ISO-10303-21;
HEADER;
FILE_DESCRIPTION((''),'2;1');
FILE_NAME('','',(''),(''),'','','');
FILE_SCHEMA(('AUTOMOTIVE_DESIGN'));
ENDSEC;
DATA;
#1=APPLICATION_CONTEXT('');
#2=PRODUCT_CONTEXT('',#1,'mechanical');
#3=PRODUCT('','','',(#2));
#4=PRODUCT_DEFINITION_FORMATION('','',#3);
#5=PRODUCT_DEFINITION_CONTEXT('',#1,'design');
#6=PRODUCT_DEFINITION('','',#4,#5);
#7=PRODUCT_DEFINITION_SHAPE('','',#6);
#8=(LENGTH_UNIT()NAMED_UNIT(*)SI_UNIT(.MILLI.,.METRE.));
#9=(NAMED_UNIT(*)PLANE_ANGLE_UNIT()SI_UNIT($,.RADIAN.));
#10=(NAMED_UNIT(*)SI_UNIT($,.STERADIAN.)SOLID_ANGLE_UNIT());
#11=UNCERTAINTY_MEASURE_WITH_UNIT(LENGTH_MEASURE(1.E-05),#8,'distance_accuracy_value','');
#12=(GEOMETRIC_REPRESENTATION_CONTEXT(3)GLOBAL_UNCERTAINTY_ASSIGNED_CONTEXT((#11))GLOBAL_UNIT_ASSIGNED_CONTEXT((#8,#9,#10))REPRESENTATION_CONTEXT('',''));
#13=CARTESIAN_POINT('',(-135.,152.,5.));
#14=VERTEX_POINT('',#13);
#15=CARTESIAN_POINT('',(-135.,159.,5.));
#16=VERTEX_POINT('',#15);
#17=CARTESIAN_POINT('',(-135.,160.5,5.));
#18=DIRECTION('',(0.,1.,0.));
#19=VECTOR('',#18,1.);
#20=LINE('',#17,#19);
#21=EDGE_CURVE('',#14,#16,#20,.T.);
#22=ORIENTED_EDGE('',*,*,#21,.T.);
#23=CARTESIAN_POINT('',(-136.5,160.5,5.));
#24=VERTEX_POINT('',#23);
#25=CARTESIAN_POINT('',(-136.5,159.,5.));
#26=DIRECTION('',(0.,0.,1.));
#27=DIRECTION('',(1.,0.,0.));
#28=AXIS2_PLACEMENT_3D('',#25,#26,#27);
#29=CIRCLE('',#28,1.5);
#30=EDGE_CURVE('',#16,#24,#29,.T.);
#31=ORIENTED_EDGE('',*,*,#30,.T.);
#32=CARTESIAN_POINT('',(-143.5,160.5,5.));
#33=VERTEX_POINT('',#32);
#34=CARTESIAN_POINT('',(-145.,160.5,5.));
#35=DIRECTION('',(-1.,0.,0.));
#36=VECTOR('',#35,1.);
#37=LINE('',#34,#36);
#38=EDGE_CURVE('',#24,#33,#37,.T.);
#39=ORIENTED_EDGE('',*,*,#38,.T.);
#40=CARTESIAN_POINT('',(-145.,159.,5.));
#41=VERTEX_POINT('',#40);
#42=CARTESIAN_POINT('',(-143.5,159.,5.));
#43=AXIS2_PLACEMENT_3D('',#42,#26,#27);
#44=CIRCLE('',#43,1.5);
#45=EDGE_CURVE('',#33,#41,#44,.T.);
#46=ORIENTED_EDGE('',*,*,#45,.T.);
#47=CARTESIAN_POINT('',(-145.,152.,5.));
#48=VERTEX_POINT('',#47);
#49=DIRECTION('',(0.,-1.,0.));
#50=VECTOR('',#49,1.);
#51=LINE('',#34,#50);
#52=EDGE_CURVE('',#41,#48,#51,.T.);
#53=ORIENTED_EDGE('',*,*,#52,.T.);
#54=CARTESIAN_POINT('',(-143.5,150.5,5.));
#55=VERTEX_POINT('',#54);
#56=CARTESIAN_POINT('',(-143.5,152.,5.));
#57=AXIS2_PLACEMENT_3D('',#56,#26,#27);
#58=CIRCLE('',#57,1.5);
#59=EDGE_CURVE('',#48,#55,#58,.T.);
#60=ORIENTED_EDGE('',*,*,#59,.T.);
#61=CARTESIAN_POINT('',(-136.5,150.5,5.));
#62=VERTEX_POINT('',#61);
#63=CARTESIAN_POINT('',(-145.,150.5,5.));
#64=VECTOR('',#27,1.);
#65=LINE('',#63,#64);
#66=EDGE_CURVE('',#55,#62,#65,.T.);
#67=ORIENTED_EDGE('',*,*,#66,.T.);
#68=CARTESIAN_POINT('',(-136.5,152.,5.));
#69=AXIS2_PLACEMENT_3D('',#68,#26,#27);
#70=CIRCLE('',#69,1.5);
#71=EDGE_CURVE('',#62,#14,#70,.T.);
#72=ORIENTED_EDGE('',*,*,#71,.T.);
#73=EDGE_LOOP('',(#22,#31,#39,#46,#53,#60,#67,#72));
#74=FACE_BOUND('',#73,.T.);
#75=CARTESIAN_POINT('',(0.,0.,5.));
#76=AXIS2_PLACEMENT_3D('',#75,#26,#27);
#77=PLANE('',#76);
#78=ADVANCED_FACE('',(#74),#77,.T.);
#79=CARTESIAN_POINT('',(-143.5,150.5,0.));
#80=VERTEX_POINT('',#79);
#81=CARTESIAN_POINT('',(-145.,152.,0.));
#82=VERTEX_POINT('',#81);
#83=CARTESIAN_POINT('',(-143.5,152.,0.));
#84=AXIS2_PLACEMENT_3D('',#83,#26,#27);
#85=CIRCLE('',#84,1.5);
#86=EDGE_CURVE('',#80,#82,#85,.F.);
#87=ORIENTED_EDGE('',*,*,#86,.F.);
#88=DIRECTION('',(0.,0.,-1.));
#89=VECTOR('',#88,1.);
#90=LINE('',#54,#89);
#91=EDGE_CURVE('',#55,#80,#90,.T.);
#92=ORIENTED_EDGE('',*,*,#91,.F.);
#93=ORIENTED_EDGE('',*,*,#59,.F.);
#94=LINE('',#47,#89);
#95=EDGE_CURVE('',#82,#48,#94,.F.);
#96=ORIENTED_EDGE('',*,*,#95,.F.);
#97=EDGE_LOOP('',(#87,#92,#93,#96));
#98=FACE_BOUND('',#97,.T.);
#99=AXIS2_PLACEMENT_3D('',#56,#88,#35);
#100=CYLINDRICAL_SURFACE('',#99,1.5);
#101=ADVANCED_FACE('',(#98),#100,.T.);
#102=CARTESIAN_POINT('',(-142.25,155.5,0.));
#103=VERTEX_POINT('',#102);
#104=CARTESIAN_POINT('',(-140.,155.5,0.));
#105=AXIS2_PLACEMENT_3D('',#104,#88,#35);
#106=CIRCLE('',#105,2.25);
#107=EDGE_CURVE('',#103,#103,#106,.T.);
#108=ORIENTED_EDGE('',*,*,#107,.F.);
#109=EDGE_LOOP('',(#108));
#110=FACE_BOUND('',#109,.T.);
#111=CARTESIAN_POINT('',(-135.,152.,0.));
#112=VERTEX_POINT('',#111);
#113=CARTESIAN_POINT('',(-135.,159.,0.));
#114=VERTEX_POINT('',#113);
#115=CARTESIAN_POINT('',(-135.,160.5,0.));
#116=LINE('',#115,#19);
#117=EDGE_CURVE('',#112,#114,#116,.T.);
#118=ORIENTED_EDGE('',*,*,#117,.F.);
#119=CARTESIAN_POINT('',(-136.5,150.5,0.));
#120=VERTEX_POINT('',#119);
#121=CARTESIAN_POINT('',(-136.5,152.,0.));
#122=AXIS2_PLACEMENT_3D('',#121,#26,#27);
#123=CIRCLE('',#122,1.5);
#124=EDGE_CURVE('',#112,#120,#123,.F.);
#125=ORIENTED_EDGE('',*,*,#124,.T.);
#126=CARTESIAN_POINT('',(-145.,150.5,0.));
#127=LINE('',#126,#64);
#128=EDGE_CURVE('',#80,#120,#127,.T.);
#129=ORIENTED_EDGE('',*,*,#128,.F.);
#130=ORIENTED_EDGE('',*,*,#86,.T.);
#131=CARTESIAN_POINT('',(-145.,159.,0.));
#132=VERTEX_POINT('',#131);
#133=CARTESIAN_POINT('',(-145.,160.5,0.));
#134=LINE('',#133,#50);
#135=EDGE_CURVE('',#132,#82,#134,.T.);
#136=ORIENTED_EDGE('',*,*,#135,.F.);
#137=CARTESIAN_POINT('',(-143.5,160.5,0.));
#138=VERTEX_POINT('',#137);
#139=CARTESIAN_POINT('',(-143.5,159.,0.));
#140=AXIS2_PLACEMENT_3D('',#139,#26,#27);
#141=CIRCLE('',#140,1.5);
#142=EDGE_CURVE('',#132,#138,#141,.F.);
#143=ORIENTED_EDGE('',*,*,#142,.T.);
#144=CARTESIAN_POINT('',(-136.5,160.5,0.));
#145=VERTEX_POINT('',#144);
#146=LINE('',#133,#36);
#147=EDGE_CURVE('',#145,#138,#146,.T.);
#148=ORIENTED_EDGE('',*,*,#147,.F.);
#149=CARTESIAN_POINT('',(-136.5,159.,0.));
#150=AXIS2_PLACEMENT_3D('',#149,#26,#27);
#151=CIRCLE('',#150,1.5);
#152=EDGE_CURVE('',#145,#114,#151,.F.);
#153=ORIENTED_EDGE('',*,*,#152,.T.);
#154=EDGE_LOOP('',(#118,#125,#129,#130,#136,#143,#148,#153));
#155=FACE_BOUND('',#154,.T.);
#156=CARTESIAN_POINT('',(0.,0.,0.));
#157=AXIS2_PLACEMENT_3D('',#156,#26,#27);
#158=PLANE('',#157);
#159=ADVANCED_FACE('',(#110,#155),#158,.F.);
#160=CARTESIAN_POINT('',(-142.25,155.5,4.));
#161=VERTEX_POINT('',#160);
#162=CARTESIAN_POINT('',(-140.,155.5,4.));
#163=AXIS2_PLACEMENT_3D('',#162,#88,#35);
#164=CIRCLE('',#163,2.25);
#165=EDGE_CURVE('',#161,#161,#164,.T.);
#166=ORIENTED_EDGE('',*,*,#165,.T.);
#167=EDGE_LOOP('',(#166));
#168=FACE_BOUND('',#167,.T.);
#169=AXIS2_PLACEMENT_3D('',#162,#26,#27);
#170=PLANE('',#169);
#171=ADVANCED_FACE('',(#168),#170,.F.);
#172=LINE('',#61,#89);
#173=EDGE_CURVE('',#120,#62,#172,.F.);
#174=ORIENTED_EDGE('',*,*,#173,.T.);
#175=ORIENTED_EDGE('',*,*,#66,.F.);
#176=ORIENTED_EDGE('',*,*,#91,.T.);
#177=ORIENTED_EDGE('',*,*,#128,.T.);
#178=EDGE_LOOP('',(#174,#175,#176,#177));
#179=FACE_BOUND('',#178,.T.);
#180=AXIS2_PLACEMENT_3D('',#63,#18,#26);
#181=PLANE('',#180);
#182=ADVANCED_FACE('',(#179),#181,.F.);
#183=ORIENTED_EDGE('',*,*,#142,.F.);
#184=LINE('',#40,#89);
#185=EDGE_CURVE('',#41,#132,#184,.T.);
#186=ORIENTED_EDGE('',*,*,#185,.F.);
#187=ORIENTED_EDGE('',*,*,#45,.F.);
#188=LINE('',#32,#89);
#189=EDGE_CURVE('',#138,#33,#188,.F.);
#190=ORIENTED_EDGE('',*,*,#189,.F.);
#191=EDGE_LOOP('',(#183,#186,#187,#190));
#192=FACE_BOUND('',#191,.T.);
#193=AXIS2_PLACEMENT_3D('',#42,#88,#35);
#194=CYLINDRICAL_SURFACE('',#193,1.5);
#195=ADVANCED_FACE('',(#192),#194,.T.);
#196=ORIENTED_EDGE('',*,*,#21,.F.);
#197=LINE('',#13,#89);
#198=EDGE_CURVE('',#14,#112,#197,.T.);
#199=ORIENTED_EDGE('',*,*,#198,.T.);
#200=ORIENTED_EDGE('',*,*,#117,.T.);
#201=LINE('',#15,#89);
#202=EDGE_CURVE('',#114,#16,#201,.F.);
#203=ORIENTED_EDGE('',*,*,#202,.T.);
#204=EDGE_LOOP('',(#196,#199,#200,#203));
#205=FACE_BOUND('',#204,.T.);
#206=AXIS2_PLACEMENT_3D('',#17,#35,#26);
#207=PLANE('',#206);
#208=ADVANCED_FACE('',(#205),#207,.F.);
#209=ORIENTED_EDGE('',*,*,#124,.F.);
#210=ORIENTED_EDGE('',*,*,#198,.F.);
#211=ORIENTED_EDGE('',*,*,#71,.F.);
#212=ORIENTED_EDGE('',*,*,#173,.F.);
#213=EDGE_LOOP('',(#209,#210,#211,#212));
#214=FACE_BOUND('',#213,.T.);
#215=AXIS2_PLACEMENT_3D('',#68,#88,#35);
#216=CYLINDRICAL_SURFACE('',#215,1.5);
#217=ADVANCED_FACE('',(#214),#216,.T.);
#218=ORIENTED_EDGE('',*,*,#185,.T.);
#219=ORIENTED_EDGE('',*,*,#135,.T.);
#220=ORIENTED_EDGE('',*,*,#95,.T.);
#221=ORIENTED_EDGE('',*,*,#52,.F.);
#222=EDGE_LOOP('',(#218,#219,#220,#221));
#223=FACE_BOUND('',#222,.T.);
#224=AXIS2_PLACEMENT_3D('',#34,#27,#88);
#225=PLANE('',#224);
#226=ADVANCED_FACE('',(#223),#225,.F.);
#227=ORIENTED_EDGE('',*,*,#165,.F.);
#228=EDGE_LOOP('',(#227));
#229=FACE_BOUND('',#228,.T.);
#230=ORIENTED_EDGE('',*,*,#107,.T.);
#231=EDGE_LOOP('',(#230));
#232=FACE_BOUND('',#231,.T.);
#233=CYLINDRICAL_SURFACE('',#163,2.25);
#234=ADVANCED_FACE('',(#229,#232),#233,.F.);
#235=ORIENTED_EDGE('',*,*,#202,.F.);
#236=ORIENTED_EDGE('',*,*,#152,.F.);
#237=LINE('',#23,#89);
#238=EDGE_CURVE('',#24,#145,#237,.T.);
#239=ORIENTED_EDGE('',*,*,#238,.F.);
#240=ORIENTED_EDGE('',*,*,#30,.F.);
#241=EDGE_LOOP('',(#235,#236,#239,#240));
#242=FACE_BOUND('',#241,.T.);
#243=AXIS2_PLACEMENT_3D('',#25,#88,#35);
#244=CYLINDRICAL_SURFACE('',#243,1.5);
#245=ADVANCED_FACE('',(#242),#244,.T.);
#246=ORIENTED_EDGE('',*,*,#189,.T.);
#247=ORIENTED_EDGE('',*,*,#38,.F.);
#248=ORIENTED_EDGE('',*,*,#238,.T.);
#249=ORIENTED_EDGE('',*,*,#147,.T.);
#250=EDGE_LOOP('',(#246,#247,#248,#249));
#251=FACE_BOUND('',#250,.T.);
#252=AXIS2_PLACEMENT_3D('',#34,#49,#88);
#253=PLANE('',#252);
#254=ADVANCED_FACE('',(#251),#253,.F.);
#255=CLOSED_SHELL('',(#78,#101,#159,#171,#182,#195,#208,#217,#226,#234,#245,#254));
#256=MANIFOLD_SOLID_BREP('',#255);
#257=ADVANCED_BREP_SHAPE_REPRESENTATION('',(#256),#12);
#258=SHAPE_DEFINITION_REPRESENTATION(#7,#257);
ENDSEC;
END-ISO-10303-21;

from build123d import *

# Parameters (mm, degrees)
SKETCH1_W           = 10
SKETCH1_H           = 10
SKETCH1_R           = 1.5
BOSS_EXTRUDE1_DEPTH = 5
FILLET1_R           = 1.5
SKETCH2_R           = 1.6
BOSS_EXTRUDE2_DEPTH = 1
SKETCH3_R           = 2.25
CUT_EXTRUDE1_DEPTH  = 4


with BuildPart() as part:
    # Sketch1 → Boss-Extrude1 (new body)
    with BuildSketch(Plane.XY):
        with Locations((-140, 155.5)):
            Rectangle(SKETCH1_W, SKETCH1_H)
        with Locations((-140, 155.5)):
            Circle(SKETCH1_R, mode=Mode.SUBTRACT)
    extrude(amount=BOSS_EXTRUDE1_DEPTH)

    # Fillet1
    fillet1_edges = [part.edges().sort_by_distance(p)[0] for p in [
        (-145, 160.5, 2.5),
        (-135, 160.5, 2.5),
        (-135, 150.5, 2.5),
        (-145, 150.5, 2.5),
    ]]
    fillet(fillet1_edges, radius=FILLET1_R)

    # Sketch2 → Boss-Extrude2 (add)
    with BuildSketch(Plane.XY.offset(5)):
        with Locations((-140, 155.5)):
            Circle(SKETCH2_R)
    extrude(amount=-BOSS_EXTRUDE2_DEPTH)

    # Sketch3 → Cut-Extrude1 (cut)
    with BuildSketch(Plane(origin=(0, 0, 0), x_dir=(-1, 0, 0), z_dir=(0, 0, -1))):
        with Locations((140, 155.5)):
            Circle(SKETCH3_R)
    extrude(amount=-CUT_EXTRUDE1_DEPTH, mode=Mode.SUBTRACT)


solid = part.part
